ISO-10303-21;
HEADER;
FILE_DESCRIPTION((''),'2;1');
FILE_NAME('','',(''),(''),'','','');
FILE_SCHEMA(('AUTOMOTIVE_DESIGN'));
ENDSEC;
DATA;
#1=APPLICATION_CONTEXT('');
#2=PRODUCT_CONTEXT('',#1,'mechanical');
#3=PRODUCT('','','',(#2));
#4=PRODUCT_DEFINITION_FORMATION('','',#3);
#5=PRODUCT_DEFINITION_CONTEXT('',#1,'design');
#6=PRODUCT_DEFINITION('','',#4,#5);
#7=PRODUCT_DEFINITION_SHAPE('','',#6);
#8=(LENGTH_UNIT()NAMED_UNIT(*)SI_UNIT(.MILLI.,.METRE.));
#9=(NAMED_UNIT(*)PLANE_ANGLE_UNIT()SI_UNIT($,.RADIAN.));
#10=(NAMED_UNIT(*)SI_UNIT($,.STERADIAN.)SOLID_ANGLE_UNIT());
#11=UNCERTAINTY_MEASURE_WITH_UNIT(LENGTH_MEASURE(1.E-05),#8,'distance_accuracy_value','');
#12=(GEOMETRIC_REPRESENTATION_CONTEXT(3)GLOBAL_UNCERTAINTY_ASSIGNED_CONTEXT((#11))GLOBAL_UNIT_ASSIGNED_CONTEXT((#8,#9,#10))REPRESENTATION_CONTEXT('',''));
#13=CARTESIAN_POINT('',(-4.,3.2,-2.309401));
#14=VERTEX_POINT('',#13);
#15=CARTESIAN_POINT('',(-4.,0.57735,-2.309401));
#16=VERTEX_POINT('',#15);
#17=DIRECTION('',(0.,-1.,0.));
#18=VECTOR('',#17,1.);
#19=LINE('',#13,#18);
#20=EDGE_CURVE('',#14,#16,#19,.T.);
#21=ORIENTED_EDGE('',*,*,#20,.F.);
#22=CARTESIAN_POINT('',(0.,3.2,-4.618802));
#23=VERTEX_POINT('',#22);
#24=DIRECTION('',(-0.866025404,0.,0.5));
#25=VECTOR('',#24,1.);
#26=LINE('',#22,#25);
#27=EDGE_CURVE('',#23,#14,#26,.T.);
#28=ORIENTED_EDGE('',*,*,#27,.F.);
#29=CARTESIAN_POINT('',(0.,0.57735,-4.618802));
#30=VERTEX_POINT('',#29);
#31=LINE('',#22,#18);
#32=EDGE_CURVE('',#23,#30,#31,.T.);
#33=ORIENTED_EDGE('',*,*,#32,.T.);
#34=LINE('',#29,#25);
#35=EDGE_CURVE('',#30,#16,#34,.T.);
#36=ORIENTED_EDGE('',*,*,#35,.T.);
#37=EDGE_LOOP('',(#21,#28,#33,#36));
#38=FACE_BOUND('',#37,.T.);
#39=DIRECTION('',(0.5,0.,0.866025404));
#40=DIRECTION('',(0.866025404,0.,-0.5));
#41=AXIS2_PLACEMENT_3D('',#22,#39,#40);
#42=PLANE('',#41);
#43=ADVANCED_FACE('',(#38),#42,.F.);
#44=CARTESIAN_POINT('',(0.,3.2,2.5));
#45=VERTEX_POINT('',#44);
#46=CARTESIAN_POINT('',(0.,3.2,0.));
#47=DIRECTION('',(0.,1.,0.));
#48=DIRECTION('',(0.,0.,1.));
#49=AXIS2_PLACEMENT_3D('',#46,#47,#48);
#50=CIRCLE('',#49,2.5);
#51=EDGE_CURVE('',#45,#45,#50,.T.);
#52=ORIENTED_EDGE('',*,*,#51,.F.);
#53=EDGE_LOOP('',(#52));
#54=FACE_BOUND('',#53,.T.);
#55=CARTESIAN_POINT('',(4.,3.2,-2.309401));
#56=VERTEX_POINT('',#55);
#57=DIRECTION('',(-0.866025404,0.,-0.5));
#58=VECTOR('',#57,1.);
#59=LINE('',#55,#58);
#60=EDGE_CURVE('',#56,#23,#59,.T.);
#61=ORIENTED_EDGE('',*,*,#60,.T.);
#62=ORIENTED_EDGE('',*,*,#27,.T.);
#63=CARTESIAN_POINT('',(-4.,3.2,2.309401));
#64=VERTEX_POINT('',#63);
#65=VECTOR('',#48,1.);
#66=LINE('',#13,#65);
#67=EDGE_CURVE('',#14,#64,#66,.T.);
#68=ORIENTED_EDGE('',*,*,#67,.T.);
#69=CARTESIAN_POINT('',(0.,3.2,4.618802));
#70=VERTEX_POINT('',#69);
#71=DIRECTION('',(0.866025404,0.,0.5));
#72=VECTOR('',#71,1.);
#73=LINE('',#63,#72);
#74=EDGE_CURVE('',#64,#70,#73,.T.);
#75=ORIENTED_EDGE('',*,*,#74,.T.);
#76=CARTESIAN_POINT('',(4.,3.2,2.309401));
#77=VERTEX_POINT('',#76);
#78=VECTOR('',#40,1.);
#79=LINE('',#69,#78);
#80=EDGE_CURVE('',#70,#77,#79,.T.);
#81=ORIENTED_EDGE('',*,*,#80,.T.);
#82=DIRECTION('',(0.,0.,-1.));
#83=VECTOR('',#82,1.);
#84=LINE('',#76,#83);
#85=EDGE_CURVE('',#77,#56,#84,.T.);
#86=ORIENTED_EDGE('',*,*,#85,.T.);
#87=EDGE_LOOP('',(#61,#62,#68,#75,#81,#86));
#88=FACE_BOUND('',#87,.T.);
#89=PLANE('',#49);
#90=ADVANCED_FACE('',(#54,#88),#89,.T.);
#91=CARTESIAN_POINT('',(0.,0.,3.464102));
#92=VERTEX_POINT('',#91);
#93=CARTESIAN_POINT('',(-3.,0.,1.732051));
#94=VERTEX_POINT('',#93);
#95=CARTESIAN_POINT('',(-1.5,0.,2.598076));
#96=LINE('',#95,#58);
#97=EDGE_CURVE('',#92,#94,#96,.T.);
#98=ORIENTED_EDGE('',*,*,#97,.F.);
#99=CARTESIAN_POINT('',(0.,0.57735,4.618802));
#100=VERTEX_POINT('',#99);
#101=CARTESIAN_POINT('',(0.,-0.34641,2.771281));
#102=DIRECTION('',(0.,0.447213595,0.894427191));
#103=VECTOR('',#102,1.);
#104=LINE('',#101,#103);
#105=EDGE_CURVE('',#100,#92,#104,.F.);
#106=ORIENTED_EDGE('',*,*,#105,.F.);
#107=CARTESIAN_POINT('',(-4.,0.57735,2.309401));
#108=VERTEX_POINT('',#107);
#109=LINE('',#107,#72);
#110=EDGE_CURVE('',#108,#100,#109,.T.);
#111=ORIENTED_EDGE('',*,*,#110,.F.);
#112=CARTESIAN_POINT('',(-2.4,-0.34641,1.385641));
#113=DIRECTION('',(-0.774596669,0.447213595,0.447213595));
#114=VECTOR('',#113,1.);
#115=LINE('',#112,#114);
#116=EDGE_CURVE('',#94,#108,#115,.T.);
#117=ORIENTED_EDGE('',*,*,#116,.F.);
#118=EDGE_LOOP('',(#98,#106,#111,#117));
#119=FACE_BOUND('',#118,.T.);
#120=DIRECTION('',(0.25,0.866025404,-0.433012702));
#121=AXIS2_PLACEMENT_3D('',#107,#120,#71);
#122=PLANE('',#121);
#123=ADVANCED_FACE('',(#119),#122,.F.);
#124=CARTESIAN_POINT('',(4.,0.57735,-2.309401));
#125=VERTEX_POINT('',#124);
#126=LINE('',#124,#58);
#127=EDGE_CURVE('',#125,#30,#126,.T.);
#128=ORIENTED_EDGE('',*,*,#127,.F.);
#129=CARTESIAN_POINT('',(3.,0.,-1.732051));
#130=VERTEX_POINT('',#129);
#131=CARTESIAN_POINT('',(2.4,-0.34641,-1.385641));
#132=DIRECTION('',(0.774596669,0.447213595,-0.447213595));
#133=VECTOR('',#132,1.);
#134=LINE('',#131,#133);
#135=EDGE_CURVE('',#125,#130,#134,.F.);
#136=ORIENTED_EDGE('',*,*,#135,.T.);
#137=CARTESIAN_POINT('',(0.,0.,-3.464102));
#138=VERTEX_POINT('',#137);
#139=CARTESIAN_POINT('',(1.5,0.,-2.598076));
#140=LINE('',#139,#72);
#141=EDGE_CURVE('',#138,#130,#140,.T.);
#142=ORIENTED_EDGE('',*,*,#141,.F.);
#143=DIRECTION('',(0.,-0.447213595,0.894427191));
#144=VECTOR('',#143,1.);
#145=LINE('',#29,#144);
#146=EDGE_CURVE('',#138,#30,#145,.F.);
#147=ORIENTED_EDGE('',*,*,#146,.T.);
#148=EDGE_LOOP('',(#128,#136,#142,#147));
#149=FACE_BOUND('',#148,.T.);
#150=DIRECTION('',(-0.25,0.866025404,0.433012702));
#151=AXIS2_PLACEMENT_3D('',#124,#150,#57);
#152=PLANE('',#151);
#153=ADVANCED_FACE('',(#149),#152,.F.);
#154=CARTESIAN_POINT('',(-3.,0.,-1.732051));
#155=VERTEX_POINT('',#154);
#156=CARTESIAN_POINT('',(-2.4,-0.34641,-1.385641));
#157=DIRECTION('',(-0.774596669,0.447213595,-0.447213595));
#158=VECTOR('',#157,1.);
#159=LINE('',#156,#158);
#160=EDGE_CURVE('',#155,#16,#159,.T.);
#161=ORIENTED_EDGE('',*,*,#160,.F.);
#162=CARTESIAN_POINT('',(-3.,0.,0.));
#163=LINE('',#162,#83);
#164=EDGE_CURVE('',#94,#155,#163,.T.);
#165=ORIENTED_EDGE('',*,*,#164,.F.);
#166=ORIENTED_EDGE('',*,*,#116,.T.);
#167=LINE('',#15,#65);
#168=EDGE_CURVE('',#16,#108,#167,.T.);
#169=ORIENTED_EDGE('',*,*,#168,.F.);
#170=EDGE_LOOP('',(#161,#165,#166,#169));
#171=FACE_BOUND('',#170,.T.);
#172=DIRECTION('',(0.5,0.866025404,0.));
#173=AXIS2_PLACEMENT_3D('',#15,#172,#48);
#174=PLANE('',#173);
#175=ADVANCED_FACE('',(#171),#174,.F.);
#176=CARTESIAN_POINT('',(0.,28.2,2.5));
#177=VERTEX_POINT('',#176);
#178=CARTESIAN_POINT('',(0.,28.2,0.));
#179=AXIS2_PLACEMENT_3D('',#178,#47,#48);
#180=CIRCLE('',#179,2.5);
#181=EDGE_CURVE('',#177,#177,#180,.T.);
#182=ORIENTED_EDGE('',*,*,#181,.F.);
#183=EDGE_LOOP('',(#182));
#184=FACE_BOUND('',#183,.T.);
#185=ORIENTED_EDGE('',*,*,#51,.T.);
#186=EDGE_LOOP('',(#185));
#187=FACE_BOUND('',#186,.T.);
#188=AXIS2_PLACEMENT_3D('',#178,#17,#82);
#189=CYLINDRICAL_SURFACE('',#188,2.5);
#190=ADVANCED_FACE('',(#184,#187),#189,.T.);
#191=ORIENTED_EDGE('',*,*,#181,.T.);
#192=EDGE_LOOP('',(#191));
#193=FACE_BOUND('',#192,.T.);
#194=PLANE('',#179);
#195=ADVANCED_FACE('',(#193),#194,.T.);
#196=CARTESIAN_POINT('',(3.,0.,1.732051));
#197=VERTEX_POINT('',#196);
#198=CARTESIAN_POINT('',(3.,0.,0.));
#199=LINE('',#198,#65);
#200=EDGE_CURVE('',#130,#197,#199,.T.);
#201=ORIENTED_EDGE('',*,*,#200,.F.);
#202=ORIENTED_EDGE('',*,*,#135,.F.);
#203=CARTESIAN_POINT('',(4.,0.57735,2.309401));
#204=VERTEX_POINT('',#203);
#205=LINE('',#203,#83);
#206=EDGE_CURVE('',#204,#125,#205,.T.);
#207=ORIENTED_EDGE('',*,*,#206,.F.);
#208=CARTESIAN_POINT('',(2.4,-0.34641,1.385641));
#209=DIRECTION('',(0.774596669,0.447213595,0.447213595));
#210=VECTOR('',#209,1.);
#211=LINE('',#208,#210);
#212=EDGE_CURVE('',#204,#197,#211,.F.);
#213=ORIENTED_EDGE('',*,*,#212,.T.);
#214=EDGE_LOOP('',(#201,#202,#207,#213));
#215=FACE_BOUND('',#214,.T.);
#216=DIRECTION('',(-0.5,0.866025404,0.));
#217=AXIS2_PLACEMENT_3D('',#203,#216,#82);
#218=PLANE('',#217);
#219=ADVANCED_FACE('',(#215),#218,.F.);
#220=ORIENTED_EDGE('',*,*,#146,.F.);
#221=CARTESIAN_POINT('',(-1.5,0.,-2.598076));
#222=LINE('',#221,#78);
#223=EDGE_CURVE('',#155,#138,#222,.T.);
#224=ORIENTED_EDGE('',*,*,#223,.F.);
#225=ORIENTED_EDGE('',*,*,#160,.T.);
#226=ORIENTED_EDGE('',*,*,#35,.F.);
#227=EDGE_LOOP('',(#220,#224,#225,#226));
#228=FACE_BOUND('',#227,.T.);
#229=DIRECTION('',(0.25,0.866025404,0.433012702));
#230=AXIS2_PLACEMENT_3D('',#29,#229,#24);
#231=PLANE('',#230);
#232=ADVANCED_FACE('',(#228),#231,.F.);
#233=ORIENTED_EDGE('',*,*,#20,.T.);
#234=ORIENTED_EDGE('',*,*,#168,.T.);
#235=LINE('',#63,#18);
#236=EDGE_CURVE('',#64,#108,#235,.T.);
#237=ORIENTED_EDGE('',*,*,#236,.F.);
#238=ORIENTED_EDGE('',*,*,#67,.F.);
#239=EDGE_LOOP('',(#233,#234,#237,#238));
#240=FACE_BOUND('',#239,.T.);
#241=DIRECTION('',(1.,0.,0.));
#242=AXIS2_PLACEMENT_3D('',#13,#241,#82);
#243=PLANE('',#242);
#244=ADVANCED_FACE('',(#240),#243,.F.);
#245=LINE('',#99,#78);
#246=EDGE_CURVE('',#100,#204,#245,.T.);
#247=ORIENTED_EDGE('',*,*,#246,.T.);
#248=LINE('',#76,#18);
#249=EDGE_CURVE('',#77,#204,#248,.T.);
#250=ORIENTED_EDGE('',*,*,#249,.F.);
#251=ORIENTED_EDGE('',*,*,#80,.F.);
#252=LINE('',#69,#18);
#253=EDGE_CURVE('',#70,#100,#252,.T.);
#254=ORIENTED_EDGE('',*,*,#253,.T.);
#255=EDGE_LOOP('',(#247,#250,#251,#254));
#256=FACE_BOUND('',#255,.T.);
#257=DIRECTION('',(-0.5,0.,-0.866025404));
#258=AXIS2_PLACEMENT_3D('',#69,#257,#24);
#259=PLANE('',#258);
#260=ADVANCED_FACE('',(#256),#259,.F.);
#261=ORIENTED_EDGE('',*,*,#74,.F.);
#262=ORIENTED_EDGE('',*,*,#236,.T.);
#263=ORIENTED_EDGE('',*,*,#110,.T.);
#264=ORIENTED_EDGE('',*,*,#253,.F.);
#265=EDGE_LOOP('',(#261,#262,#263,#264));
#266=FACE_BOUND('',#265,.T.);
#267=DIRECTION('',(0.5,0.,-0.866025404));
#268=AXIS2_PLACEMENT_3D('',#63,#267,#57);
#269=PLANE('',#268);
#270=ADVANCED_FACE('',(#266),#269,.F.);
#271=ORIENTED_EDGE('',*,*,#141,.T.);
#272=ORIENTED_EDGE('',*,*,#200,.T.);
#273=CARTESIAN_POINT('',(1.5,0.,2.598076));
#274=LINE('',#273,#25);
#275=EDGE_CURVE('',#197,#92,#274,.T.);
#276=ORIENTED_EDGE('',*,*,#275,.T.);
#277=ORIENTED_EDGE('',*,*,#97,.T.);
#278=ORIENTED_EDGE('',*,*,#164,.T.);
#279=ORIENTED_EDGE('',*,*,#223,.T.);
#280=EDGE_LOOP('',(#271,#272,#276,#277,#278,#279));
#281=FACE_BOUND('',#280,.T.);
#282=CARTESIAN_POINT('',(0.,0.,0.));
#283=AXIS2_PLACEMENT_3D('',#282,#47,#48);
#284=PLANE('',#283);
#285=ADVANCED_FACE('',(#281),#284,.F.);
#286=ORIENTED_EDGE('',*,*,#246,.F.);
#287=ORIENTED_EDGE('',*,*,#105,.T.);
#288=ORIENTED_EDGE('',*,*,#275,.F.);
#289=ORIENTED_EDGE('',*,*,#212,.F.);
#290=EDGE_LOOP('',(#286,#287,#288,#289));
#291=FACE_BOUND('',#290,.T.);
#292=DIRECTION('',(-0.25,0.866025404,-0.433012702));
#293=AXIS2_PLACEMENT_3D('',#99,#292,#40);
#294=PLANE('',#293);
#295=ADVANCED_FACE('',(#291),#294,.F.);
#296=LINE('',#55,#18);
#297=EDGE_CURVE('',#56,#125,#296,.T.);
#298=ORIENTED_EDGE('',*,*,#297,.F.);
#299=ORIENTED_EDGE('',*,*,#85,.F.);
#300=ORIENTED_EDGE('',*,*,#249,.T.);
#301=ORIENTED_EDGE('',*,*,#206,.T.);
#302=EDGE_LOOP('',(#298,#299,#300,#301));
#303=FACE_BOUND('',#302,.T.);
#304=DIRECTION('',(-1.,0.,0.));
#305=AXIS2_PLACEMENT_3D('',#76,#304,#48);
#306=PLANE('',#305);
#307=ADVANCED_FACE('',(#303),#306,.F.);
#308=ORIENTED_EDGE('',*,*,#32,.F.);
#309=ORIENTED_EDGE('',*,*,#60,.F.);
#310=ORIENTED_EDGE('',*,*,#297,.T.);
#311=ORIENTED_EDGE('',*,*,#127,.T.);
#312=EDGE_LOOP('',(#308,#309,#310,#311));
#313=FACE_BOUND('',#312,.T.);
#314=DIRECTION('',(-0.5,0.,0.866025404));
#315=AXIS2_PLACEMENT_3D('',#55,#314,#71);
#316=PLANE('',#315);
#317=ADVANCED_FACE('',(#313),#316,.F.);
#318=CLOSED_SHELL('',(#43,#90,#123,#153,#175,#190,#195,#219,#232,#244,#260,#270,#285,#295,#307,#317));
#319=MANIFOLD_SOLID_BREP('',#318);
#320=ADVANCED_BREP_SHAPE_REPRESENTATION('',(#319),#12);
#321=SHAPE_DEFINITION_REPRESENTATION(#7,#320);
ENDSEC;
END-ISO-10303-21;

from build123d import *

# Parameters (mm, degrees)
EXTRUDE_1_DEPTH = 3.2
SKETCH_2_R      = 2.5
EXTRUDE_2_DEPTH = 25
CHAMFER_1_SIZE  = 1
CHAMFER_1_SIZE2 = 0.577350269


with BuildPart() as part:
    # Эскиз1 → Бобышка-Вытянуть1 (new body)
    with BuildSketch(Plane(origin=(0, 0, 0), x_dir=(1, 0, 0), z_dir=(0, 1, 0))):
        Polygon((4, -2.309401077), (4, 2.309401077), (0, 4.618802154), (-4, 2.309401077), (-4, -2.309401077), (0, -4.618802154), align=None)
    extrude(amount=EXTRUDE_1_DEPTH)

    # Эскиз2 → Бобышка-Вытянуть2 (add)
    with BuildSketch(Plane(origin=(0, 3.2, 0), x_dir=(1, 0, 0), z_dir=(0, 1, 0))):
        Circle(SKETCH_2_R)
    extrude(amount=EXTRUDE_2_DEPTH)

    # Фаска1
    chamfer_1_edges = [part.edges().sort_by_distance(p)[0] for p in [
        (-2, 0, 3.464101615),
        (-4, 0, 0),
        (-2, 0, -3.464101615),
        (2, 0, -3.464101615),
        (4, 0, 0),
        (2, 0, 3.464101615),
    ]]
    chamfer_1_side = [part.faces().sort_by_distance(p)[0] for p in [
        (0, 0, 0),
    ]]
    chamfer(chamfer_1_edges, length=CHAMFER_1_SIZE, length2=CHAMFER_1_SIZE2, reference=chamfer_1_side[0])


solid = part.part
